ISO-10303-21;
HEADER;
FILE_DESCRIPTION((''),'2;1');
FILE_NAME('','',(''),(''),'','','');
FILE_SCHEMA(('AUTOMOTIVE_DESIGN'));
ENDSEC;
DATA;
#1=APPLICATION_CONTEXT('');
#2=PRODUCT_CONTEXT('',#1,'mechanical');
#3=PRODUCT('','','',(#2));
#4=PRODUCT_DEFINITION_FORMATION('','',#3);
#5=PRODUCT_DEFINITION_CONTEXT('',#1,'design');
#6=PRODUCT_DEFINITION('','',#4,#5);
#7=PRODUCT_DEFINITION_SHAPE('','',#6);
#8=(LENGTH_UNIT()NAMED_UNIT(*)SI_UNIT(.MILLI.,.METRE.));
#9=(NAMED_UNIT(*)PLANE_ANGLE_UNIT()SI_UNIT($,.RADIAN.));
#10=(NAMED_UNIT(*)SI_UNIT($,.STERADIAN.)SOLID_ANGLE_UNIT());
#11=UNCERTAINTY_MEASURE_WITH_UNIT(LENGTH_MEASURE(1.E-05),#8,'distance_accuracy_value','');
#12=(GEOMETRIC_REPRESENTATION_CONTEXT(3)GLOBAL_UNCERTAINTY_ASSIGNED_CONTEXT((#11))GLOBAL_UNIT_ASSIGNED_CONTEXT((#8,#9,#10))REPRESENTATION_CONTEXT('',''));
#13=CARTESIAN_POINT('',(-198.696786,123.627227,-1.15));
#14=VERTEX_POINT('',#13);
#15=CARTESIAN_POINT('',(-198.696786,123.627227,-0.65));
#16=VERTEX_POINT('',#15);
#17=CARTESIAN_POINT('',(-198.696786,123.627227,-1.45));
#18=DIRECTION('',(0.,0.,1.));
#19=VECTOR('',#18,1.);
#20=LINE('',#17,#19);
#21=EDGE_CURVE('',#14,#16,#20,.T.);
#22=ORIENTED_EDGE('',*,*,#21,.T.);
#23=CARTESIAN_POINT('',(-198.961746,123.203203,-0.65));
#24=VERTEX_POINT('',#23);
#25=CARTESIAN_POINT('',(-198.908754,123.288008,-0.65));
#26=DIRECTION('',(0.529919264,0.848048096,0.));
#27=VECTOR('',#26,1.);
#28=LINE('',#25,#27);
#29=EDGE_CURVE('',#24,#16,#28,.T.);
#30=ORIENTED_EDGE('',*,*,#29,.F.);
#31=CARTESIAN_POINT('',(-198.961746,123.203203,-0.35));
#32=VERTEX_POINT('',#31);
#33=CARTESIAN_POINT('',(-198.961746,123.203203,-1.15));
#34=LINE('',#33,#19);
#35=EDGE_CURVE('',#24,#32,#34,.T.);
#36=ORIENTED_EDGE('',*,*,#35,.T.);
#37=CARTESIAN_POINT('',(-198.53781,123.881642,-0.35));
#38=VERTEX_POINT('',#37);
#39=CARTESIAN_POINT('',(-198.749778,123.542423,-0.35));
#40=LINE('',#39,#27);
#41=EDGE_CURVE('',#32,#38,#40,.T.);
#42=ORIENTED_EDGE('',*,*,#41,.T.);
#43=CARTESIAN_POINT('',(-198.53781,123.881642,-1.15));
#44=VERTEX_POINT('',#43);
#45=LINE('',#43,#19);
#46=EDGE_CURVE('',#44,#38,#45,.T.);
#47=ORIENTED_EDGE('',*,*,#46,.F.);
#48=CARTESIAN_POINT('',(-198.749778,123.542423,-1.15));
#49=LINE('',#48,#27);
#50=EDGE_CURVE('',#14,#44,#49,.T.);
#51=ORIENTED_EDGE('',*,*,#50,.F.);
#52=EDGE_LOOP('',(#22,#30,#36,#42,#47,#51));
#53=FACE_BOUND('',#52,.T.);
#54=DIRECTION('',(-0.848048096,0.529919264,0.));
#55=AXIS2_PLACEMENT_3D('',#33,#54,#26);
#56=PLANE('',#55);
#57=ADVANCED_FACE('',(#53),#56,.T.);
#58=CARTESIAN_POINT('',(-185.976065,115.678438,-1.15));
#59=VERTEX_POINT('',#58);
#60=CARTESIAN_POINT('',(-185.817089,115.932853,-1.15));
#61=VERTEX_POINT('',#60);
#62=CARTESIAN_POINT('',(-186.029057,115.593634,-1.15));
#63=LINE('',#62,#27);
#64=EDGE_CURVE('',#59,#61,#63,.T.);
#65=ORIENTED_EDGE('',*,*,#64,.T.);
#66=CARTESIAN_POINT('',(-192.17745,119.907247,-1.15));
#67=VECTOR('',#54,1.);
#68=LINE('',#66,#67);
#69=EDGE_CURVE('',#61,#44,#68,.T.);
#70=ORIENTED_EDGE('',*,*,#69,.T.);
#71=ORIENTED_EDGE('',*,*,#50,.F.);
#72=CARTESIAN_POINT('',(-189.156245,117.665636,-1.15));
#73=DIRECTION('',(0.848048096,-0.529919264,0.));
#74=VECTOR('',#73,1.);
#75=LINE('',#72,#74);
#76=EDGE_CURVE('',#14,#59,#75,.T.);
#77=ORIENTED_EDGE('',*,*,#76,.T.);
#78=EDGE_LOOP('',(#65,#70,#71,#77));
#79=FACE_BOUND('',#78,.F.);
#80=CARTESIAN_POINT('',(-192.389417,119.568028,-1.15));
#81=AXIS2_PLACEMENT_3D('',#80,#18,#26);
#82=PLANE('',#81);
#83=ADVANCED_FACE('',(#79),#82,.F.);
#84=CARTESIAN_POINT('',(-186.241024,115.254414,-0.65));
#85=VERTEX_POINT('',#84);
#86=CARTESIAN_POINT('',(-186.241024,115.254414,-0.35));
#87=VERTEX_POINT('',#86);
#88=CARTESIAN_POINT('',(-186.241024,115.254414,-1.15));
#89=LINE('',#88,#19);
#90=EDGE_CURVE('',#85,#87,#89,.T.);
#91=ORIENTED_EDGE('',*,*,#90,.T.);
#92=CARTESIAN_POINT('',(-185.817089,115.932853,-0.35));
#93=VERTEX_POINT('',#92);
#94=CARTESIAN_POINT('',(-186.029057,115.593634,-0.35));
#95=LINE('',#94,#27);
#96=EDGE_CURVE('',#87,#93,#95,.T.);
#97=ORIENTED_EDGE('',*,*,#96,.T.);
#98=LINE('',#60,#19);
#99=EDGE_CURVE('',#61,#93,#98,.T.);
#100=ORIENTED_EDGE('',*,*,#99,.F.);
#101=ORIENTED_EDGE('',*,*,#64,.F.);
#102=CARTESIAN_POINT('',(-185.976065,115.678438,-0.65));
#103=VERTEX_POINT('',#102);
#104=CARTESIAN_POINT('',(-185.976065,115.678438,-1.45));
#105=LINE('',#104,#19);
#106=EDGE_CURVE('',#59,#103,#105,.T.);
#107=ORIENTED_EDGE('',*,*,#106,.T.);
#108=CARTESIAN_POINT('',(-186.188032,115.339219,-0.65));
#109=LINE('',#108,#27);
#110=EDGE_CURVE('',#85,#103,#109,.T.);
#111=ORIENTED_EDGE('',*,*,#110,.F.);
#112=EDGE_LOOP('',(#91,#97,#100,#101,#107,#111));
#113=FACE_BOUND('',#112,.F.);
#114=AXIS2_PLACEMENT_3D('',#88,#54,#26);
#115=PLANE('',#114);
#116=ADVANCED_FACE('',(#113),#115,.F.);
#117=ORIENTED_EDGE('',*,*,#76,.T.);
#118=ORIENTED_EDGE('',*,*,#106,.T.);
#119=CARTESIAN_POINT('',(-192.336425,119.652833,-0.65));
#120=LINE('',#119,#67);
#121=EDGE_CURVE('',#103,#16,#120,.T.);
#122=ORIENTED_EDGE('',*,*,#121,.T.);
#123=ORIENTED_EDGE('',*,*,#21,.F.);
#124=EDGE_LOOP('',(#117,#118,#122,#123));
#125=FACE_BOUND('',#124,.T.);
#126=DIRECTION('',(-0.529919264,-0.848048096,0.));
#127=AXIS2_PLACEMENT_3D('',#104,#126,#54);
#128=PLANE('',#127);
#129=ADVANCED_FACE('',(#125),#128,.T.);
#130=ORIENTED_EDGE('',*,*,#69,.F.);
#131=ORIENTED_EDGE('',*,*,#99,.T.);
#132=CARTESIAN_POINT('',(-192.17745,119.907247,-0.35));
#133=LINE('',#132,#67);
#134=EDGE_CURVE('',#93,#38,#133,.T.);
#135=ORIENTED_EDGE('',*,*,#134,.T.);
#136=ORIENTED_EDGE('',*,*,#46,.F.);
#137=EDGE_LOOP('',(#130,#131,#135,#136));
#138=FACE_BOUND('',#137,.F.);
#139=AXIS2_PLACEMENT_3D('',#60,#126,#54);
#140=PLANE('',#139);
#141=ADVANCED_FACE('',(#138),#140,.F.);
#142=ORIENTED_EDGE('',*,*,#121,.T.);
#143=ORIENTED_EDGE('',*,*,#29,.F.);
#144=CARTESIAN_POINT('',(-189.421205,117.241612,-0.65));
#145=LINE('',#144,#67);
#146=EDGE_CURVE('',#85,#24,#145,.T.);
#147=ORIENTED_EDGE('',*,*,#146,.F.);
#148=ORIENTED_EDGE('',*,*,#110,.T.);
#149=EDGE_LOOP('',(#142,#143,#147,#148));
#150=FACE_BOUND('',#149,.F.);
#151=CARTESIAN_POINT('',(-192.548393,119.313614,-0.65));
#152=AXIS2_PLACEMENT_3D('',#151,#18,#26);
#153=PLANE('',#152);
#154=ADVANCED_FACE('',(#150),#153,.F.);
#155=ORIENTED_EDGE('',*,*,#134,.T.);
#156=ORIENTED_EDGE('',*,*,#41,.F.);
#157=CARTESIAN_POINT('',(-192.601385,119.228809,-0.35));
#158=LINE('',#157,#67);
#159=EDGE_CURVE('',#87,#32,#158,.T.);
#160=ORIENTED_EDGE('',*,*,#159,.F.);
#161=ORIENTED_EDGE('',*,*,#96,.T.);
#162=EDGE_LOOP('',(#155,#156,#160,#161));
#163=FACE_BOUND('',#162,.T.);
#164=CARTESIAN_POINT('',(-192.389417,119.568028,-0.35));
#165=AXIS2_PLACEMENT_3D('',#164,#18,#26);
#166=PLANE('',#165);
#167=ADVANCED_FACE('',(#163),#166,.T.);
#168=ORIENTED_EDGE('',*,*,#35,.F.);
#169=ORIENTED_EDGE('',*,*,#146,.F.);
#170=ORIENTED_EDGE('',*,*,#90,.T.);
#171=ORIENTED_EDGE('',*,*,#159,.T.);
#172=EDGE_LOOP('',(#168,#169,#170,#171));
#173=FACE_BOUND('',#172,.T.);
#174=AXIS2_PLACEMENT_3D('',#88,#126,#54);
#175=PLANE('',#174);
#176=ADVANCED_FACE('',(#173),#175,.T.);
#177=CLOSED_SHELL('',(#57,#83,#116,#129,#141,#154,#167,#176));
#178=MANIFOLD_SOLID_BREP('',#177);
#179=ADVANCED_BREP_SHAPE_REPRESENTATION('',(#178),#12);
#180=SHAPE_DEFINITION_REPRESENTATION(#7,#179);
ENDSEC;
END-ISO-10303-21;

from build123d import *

# Parameters (mm, degrees)
BOX123_W               = 0.8
BOX123_H               = 15
BOX123_DEPTH           = 0.8
BOX124_W               = 0.8
BOX124_H               = 15
BOX124_DEPTH           = 0.8
CUT065_PLACEMENT_ANGLE = 58


with BuildPart() as cubo123:
    # Box123 → Box123 (new body)
    with BuildSketch(Plane.XY):
        with Locations((0.4, 7.5)):
            Rectangle(BOX123_W, BOX123_H)
    extrude(amount=BOX123_DEPTH)


with BuildPart() as perfil_l_2da_cara007:
    # Box124 → Box124 (new body)
    with BuildSketch(Plane(origin=(0.3, 0, 0.3), x_dir=(1, 0, 0), z_dir=(0, 0, 1))):
        with Locations((0.4, 7.5)):
            Rectangle(BOX124_W, BOX124_H)
    extrude(amount=BOX124_DEPTH)

    # Cut065: cut Cubo123
    add(cubo123.part, mode=Mode.SUBTRACT)


with BuildPart() as perfil_l_2da_cara007_1:
    # Cut065 placement: moved
    add(perfil_l_2da_cara007.part.moved(Location((-186.4, 115, -1.45))).rotate(Axis((-186.4, 115, -1.45), (0, 0, 1)), CUT065_PLACEMENT_ANGLE))


solid = perfil_l_2da_cara007_1.part
